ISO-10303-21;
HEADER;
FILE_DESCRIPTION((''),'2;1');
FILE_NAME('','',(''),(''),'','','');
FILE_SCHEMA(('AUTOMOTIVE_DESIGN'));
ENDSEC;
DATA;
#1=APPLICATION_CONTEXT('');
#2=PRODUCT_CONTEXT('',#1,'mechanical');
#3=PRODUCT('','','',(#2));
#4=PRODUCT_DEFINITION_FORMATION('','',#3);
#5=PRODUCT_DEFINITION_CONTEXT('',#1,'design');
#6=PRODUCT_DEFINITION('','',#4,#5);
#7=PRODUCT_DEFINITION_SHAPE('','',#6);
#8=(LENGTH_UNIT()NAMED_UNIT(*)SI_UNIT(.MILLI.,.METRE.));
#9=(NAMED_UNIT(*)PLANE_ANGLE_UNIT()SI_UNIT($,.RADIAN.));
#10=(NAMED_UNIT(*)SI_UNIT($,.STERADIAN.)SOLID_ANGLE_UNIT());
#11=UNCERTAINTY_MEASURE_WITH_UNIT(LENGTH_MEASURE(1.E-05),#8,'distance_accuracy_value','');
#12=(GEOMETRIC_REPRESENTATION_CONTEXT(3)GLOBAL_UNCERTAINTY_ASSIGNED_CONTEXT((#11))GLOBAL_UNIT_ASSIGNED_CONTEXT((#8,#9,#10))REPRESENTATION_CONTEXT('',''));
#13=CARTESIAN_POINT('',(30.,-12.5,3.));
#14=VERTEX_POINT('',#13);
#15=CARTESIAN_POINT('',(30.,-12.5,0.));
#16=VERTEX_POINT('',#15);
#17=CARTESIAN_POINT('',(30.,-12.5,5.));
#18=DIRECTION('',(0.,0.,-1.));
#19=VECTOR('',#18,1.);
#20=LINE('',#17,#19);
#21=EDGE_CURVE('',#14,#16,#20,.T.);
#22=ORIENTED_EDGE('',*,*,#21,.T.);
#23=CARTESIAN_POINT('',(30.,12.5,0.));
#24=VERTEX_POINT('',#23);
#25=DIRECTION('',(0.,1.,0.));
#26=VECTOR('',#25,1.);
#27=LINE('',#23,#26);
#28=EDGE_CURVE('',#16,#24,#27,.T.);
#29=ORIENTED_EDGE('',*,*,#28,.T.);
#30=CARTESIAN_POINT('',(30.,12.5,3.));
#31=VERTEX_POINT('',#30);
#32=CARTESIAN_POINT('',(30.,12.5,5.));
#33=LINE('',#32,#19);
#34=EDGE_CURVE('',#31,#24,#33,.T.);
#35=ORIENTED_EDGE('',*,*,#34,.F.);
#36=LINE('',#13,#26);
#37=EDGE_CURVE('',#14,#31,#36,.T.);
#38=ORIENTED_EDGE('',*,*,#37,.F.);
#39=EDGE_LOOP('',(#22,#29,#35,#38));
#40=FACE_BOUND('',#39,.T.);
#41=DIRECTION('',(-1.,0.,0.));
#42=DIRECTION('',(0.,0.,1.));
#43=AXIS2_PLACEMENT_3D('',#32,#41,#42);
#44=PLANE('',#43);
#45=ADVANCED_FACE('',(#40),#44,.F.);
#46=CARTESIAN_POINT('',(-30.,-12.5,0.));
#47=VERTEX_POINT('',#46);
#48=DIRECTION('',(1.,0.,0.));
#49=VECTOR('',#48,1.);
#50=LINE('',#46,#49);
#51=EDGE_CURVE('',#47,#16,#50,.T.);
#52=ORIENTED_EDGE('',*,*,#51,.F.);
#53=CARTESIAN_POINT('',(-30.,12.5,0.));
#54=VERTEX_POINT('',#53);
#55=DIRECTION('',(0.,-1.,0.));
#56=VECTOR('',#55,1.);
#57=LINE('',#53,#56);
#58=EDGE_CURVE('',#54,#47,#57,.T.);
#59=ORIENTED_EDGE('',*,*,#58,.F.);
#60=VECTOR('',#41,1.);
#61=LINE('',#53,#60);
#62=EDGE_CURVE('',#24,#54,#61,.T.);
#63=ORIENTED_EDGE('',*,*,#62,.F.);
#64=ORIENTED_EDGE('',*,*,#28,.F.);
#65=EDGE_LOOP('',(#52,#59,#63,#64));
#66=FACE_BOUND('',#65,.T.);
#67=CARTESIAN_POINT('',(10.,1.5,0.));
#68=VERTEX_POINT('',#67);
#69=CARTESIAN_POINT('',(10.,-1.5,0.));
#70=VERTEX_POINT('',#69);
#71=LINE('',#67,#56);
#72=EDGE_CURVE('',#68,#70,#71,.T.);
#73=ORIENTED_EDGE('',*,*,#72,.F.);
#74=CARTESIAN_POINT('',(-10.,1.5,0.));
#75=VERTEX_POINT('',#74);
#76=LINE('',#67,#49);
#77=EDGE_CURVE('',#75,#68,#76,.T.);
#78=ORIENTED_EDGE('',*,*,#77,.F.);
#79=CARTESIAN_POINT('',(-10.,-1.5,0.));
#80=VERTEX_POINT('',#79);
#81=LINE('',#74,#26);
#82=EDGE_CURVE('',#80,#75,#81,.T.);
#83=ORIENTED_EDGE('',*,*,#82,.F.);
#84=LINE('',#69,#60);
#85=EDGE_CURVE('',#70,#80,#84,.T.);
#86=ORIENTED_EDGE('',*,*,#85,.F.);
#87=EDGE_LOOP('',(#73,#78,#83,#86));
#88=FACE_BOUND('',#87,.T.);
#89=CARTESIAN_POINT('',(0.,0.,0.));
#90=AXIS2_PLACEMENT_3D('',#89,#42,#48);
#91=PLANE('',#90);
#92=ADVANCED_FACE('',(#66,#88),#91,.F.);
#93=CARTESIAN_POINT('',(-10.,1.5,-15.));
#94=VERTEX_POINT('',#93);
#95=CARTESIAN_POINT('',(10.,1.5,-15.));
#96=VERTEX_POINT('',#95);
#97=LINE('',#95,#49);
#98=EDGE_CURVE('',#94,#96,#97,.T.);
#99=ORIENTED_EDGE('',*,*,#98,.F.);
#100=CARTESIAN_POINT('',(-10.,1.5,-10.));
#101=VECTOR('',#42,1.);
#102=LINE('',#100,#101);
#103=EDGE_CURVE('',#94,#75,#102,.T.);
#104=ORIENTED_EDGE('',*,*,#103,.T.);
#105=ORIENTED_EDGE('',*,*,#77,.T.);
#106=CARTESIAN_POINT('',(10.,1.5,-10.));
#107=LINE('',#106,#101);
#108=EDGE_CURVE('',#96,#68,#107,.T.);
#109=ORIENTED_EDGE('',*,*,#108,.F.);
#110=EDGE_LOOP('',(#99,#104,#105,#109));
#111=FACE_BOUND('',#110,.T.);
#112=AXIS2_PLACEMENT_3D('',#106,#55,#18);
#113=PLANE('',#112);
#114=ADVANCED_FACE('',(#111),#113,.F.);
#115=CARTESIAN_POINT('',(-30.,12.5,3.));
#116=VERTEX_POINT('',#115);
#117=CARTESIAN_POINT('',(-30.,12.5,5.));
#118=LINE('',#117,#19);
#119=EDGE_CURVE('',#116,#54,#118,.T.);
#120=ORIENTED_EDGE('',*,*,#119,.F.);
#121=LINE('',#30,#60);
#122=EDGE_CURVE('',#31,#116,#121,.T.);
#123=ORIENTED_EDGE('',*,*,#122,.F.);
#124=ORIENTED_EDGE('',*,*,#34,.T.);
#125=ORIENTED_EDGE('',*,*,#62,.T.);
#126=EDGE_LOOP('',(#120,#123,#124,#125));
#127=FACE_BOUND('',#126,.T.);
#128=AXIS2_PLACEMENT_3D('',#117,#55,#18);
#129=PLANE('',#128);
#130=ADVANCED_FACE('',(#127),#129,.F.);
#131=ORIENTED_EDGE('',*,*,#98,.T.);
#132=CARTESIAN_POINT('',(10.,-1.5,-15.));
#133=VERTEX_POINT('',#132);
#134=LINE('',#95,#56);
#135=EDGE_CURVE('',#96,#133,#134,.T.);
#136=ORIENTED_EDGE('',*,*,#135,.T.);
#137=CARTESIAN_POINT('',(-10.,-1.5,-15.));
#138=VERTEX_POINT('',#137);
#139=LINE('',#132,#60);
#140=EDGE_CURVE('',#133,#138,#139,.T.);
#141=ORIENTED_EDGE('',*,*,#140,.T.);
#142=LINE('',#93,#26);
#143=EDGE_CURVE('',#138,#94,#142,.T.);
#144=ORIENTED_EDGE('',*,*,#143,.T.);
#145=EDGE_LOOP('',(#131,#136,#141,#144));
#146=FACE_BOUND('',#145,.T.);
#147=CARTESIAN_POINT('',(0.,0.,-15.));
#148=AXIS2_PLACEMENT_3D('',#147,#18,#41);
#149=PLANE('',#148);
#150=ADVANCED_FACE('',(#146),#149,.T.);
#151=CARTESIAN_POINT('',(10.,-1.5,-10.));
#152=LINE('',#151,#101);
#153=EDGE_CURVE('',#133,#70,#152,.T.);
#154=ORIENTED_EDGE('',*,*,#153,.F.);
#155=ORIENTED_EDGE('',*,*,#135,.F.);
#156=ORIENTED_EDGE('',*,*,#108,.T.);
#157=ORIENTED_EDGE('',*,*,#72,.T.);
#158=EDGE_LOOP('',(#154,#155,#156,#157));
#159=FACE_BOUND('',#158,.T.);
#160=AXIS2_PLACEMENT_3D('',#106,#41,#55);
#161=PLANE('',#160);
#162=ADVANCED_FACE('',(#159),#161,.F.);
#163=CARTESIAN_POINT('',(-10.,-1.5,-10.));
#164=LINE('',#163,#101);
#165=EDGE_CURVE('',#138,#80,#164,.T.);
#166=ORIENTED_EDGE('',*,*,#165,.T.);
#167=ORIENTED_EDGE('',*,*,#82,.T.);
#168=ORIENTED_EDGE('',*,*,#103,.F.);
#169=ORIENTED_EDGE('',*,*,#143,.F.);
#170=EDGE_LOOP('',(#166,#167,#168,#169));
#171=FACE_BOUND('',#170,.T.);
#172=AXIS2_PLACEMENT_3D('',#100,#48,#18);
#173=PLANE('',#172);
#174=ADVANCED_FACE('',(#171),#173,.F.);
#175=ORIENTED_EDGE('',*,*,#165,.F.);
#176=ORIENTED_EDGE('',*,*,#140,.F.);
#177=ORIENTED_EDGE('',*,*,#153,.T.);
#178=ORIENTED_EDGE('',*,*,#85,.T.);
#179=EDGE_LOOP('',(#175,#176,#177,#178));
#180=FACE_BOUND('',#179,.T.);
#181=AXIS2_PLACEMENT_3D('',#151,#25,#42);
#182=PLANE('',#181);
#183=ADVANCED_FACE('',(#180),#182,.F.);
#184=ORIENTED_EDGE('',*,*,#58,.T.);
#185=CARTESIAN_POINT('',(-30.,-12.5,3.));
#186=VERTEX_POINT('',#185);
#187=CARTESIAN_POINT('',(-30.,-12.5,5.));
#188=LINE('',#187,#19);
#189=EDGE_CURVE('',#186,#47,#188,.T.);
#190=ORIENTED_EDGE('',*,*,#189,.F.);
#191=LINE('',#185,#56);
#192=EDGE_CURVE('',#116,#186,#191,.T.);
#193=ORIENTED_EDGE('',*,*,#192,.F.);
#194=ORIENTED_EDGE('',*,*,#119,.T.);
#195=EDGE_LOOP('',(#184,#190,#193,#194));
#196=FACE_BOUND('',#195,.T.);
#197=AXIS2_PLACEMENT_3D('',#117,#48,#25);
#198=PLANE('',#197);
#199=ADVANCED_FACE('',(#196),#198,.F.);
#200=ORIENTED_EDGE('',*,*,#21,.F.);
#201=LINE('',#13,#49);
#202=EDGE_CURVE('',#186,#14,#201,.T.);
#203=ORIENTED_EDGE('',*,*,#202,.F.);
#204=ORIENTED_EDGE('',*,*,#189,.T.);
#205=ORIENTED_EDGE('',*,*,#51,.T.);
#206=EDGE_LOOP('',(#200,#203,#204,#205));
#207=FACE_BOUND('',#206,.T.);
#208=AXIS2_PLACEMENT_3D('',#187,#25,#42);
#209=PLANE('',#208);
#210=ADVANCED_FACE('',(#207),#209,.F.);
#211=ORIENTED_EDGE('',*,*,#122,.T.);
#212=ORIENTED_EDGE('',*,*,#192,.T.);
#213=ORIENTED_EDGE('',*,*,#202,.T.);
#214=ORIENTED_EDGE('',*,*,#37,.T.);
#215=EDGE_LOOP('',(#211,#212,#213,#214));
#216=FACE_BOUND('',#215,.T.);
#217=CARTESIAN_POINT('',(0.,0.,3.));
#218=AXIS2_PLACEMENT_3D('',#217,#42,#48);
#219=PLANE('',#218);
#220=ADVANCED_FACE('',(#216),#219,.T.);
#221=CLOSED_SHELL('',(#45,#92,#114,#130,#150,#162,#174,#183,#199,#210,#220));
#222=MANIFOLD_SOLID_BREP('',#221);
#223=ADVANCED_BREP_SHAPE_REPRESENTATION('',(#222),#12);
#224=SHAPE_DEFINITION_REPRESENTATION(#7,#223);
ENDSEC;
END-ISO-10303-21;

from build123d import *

# Parameters (mm, degrees)
CROQUIS1_W              = 60
CROQUIS1_H              = 25
SALIENTE_EXTRUIR1_DEPTH = 5
CROQUIS2_W              = 20
CROQUIS2_H              = 3
SALIENTE_EXTRUIR2_DEPTH = 10
CROQUIS3_W              = 60
CROQUIS3_H              = 25
CORTAR_EXTRUIR1_DEPTH   = 2
CROQUIS4_W              = 20
CROQUIS4_H              = 3
SALIENTE_EXTRUIR3_DEPTH = 5


with BuildPart() as part:
    # Croquis1 → Saliente-Extruir1 (new body)
    with BuildSketch(Plane.XY):
        Rectangle(CROQUIS1_W, CROQUIS1_H)
    extrude(amount=SALIENTE_EXTRUIR1_DEPTH)

    # Croquis2 → Saliente-Extruir2 (add)
    with BuildSketch(Plane(origin=(0, 0, 0), x_dir=(-1, 0, 0), z_dir=(0, 0, -1))):
        Rectangle(CROQUIS2_W, CROQUIS2_H)
    extrude(amount=SALIENTE_EXTRUIR2_DEPTH)

    # Croquis3 → Cortar-Extruir1 (cut)
    with BuildSketch(Plane.XY.offset(5)):
        Rectangle(CROQUIS3_W, CROQUIS3_H)
    extrude(amount=-CORTAR_EXTRUIR1_DEPTH, mode=Mode.SUBTRACT)

    # Croquis4 → Saliente-Extruir3 (add)
    with BuildSketch(Plane(origin=(0, 0, -10), x_dir=(-1, 0, 0), z_dir=(0, 0, -1))):
        Rectangle(CROQUIS4_W, CROQUIS4_H)
    extrude(amount=SALIENTE_EXTRUIR3_DEPTH)


solid = part.part
